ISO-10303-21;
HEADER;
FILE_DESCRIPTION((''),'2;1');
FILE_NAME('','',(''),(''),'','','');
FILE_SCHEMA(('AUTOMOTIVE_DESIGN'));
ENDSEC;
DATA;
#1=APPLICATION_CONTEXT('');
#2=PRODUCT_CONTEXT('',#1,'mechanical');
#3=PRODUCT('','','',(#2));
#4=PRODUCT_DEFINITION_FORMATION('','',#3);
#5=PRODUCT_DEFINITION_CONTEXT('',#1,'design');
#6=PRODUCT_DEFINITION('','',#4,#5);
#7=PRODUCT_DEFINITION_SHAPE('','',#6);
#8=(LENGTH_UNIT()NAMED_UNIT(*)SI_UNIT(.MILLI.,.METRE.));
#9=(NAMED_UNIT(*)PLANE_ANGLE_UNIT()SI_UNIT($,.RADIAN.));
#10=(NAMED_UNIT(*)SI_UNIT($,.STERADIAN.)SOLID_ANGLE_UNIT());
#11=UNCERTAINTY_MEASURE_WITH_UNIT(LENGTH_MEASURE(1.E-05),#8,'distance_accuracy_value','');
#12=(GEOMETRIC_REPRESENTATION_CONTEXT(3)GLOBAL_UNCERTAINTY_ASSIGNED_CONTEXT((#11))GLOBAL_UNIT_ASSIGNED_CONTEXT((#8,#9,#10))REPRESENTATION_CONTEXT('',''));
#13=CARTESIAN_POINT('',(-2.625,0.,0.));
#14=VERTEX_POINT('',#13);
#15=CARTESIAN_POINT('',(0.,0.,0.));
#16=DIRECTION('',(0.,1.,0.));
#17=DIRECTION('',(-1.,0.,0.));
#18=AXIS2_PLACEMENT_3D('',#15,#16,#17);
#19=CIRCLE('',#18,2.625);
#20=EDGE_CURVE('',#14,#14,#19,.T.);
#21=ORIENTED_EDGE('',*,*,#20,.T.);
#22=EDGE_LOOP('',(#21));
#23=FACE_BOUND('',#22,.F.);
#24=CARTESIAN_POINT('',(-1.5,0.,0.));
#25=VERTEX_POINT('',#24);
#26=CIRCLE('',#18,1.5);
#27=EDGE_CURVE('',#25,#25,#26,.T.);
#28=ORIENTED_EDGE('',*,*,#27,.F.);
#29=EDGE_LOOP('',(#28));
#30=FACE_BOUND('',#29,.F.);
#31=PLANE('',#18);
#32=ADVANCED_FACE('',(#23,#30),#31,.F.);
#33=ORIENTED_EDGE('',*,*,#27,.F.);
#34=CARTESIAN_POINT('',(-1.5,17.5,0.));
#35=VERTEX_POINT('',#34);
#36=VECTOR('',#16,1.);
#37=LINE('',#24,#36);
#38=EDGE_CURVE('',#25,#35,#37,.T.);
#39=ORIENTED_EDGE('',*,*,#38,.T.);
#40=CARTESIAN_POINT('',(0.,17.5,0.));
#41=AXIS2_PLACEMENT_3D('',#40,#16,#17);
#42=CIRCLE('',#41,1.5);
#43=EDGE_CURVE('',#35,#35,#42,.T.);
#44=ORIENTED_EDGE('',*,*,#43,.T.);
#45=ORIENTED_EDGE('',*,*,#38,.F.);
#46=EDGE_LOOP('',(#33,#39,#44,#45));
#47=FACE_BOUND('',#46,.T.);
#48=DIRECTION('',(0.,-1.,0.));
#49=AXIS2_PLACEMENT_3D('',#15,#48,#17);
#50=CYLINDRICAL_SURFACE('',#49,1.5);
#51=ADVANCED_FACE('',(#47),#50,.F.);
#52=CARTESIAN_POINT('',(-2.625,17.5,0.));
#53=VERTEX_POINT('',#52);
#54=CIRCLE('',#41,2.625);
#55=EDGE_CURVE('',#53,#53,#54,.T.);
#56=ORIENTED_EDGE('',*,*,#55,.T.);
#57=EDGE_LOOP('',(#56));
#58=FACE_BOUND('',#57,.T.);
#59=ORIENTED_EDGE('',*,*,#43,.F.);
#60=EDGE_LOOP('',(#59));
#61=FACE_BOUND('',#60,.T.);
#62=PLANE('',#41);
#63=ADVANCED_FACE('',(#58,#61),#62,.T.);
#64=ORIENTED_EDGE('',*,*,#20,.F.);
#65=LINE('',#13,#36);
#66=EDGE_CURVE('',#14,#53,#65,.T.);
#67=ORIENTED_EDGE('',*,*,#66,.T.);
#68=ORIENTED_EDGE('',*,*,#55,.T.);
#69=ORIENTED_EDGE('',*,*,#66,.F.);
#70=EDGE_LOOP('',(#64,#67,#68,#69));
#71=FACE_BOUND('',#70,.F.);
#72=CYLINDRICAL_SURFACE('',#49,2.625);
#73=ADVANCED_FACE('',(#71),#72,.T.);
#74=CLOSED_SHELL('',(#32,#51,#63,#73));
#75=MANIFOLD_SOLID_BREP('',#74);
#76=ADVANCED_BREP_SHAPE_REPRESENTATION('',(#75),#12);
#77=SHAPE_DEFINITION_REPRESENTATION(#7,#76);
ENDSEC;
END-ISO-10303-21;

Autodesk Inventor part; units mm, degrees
ref_plane "YZ Plane" through (0, 0, 0) normal (1, 0, 0) x (0, 1, 0)
ref_plane "XZ Plane" through (0, 0, 0) normal (0, 1, 0) x (-1, 0, 0)
ref_plane "XY Plane" through (0, 0, 0) normal (0, 0, 1) x (1, 0, 0)
sketch "Sketch1" plane through (0, 0, 0) normal (0, 1, 0) x (-1, 0, 0)
  circle A0 centre (0, 0) radius 1.5
  circle A1 centre (0, 0) radius 2.625
  dimension "d0" = 3
  dimension "d1" = 5.25
extrude "Extrusion1" add sketch "Sketch1" along normal blind 17.5
properties part number "Lever Spacer" material "Nylon 6/6"
